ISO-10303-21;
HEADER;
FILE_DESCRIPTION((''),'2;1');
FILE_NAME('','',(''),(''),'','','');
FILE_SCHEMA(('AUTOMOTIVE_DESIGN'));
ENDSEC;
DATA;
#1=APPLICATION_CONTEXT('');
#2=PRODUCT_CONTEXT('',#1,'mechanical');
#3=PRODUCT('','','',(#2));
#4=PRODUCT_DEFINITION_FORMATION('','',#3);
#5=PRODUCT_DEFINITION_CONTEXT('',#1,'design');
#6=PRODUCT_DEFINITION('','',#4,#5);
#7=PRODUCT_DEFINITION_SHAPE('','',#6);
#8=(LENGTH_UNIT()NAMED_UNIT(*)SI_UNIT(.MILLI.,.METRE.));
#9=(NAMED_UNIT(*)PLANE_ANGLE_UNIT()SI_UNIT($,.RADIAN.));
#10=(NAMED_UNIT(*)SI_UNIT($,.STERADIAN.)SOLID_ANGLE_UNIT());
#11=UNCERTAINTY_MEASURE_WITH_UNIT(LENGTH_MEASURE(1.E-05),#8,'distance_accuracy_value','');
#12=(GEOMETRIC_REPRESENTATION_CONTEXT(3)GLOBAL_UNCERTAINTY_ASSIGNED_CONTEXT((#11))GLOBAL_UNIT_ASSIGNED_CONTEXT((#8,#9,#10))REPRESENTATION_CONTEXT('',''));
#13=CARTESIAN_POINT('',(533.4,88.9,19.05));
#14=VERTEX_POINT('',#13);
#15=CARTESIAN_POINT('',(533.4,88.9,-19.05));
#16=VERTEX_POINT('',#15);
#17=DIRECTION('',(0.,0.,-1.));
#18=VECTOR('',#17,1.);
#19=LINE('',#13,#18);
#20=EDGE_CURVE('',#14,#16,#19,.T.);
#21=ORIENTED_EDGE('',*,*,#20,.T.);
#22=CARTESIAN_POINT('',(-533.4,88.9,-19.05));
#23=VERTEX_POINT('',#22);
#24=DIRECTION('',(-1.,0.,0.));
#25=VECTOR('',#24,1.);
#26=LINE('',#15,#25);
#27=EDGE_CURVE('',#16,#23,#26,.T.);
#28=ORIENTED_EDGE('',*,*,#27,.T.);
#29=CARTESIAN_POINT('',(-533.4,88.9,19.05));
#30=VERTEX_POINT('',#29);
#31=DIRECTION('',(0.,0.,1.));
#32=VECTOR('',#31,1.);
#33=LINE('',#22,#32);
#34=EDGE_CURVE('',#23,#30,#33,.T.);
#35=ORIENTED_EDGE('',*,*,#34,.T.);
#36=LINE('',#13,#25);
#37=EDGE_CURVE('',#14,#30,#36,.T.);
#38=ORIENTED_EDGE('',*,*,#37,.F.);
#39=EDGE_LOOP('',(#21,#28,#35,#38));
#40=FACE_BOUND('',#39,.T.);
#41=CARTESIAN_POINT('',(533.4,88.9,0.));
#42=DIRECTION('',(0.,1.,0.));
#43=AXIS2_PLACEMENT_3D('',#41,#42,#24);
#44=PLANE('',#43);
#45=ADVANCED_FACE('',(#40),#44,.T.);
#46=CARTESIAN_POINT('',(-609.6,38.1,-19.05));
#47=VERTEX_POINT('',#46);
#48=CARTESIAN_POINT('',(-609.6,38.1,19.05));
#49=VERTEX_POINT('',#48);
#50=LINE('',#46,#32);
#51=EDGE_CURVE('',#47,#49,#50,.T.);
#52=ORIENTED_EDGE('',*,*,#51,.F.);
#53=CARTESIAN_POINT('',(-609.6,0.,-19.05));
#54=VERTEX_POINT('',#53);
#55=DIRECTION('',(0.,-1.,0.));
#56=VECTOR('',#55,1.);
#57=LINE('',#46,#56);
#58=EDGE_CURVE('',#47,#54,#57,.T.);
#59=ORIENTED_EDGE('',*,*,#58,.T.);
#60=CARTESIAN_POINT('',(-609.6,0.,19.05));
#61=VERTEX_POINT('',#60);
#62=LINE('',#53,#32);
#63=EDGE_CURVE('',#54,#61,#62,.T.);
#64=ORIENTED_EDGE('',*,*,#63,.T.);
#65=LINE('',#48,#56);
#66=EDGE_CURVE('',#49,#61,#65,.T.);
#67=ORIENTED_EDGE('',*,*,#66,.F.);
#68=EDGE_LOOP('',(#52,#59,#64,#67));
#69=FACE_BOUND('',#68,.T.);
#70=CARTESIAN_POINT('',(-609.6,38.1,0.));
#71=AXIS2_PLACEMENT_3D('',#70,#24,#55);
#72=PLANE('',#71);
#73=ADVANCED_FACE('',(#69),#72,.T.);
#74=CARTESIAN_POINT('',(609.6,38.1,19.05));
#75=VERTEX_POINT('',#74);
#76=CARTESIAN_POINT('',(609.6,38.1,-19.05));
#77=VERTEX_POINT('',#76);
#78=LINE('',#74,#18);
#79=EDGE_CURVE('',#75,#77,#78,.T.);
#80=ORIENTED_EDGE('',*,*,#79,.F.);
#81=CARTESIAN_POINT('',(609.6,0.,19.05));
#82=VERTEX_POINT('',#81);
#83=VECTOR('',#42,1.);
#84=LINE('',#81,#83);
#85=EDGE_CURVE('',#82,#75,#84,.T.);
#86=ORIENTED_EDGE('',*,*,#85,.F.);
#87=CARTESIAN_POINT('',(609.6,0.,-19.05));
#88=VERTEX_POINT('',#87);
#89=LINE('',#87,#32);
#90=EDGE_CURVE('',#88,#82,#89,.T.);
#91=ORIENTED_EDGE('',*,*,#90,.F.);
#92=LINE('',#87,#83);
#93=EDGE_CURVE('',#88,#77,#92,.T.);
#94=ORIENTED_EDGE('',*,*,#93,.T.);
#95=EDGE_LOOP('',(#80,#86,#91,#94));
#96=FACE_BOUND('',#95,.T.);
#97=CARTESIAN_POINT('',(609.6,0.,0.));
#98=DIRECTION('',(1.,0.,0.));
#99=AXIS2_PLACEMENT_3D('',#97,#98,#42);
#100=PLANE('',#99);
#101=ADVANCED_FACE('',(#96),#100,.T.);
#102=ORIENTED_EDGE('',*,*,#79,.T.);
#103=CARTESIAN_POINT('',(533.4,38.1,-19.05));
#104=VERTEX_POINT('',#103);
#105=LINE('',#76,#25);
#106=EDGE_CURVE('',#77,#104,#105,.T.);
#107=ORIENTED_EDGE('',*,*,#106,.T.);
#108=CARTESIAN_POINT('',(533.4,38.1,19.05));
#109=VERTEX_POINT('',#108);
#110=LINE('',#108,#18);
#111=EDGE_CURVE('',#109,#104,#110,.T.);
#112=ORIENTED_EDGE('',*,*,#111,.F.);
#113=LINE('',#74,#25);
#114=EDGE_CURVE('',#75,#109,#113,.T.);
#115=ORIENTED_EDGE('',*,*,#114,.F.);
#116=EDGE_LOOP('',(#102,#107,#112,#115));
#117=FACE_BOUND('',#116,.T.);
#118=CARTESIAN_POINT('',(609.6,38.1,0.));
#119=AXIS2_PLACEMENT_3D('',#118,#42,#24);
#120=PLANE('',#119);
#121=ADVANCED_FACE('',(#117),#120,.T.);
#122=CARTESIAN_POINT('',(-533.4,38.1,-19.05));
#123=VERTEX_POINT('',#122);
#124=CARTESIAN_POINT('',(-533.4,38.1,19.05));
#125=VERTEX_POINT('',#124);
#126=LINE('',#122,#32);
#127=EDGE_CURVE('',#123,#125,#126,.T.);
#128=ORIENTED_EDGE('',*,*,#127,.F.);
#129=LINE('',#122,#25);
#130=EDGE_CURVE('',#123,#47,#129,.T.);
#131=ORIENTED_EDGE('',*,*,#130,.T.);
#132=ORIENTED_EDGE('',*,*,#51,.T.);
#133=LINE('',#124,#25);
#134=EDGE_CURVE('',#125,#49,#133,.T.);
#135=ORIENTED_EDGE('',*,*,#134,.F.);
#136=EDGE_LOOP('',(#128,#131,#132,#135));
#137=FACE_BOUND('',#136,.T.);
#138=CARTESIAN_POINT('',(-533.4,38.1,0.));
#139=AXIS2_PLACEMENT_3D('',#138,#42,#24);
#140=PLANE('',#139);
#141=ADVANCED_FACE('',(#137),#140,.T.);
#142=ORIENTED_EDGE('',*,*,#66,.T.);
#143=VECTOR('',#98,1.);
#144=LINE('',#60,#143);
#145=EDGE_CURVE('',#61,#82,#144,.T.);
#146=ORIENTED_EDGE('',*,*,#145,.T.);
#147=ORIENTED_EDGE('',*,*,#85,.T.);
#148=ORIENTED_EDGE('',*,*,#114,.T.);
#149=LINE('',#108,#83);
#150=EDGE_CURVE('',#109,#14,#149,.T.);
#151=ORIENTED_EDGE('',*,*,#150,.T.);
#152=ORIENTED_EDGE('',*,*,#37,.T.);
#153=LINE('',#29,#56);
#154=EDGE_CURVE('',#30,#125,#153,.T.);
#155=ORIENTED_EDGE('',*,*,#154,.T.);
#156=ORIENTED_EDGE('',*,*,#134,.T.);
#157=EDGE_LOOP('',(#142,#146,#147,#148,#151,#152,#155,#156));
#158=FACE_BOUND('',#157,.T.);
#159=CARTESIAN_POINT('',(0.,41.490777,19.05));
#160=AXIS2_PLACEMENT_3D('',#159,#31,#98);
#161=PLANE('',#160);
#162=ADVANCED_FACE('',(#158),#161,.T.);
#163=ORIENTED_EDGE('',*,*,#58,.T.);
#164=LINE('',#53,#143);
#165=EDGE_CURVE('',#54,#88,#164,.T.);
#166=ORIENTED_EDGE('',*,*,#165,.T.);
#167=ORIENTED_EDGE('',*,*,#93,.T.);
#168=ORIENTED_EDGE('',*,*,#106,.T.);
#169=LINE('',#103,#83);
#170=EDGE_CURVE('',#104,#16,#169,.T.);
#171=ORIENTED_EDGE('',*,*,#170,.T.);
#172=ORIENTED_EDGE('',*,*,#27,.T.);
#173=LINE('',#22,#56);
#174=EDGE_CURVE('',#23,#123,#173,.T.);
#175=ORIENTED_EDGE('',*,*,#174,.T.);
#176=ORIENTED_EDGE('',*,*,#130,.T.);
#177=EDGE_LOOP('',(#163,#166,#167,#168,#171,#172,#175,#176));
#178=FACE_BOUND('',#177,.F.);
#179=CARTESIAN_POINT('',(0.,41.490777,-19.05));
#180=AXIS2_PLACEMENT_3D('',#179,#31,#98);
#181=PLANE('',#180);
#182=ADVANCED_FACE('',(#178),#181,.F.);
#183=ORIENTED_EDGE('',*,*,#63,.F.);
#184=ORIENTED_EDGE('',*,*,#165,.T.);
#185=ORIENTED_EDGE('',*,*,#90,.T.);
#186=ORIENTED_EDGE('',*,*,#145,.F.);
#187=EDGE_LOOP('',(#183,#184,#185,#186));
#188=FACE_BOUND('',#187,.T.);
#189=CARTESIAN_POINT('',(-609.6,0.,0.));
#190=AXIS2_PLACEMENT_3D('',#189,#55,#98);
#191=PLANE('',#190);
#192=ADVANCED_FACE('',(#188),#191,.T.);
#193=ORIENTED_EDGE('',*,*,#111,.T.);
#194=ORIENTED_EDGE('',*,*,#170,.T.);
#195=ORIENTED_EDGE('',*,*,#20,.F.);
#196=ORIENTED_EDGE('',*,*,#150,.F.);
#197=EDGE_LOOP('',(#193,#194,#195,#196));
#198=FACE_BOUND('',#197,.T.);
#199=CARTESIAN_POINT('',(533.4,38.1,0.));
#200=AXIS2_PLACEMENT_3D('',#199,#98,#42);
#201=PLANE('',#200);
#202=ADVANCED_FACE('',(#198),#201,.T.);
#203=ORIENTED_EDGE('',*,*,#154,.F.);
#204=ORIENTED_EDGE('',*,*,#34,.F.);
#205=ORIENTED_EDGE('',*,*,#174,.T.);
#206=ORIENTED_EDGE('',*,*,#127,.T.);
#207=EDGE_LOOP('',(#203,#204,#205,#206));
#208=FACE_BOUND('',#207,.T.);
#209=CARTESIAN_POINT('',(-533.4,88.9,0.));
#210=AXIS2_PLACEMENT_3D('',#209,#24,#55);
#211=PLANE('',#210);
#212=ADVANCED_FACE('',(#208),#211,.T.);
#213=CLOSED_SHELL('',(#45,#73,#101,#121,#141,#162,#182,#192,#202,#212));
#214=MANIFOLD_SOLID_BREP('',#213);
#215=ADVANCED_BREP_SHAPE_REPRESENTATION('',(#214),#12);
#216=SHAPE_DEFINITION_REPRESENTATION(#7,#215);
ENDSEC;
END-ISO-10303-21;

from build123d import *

# Parameters (mm, degrees)
F1_DEPTH = 19.05


with BuildPart() as f1:
    # F0 (on Top) → F1 (new body, symmetric)
    with BuildSketch(Plane.XY):
        Polygon((533.4, 88.9), (-533.4, 88.9), (-533.4, 38.1), (-609.6, 38.1), (-609.6, 0), (609.6, 0), (609.6, 38.1), (533.4, 38.1), align=None)
    extrude(amount=F1_DEPTH, both=True)


solid = f1.part
